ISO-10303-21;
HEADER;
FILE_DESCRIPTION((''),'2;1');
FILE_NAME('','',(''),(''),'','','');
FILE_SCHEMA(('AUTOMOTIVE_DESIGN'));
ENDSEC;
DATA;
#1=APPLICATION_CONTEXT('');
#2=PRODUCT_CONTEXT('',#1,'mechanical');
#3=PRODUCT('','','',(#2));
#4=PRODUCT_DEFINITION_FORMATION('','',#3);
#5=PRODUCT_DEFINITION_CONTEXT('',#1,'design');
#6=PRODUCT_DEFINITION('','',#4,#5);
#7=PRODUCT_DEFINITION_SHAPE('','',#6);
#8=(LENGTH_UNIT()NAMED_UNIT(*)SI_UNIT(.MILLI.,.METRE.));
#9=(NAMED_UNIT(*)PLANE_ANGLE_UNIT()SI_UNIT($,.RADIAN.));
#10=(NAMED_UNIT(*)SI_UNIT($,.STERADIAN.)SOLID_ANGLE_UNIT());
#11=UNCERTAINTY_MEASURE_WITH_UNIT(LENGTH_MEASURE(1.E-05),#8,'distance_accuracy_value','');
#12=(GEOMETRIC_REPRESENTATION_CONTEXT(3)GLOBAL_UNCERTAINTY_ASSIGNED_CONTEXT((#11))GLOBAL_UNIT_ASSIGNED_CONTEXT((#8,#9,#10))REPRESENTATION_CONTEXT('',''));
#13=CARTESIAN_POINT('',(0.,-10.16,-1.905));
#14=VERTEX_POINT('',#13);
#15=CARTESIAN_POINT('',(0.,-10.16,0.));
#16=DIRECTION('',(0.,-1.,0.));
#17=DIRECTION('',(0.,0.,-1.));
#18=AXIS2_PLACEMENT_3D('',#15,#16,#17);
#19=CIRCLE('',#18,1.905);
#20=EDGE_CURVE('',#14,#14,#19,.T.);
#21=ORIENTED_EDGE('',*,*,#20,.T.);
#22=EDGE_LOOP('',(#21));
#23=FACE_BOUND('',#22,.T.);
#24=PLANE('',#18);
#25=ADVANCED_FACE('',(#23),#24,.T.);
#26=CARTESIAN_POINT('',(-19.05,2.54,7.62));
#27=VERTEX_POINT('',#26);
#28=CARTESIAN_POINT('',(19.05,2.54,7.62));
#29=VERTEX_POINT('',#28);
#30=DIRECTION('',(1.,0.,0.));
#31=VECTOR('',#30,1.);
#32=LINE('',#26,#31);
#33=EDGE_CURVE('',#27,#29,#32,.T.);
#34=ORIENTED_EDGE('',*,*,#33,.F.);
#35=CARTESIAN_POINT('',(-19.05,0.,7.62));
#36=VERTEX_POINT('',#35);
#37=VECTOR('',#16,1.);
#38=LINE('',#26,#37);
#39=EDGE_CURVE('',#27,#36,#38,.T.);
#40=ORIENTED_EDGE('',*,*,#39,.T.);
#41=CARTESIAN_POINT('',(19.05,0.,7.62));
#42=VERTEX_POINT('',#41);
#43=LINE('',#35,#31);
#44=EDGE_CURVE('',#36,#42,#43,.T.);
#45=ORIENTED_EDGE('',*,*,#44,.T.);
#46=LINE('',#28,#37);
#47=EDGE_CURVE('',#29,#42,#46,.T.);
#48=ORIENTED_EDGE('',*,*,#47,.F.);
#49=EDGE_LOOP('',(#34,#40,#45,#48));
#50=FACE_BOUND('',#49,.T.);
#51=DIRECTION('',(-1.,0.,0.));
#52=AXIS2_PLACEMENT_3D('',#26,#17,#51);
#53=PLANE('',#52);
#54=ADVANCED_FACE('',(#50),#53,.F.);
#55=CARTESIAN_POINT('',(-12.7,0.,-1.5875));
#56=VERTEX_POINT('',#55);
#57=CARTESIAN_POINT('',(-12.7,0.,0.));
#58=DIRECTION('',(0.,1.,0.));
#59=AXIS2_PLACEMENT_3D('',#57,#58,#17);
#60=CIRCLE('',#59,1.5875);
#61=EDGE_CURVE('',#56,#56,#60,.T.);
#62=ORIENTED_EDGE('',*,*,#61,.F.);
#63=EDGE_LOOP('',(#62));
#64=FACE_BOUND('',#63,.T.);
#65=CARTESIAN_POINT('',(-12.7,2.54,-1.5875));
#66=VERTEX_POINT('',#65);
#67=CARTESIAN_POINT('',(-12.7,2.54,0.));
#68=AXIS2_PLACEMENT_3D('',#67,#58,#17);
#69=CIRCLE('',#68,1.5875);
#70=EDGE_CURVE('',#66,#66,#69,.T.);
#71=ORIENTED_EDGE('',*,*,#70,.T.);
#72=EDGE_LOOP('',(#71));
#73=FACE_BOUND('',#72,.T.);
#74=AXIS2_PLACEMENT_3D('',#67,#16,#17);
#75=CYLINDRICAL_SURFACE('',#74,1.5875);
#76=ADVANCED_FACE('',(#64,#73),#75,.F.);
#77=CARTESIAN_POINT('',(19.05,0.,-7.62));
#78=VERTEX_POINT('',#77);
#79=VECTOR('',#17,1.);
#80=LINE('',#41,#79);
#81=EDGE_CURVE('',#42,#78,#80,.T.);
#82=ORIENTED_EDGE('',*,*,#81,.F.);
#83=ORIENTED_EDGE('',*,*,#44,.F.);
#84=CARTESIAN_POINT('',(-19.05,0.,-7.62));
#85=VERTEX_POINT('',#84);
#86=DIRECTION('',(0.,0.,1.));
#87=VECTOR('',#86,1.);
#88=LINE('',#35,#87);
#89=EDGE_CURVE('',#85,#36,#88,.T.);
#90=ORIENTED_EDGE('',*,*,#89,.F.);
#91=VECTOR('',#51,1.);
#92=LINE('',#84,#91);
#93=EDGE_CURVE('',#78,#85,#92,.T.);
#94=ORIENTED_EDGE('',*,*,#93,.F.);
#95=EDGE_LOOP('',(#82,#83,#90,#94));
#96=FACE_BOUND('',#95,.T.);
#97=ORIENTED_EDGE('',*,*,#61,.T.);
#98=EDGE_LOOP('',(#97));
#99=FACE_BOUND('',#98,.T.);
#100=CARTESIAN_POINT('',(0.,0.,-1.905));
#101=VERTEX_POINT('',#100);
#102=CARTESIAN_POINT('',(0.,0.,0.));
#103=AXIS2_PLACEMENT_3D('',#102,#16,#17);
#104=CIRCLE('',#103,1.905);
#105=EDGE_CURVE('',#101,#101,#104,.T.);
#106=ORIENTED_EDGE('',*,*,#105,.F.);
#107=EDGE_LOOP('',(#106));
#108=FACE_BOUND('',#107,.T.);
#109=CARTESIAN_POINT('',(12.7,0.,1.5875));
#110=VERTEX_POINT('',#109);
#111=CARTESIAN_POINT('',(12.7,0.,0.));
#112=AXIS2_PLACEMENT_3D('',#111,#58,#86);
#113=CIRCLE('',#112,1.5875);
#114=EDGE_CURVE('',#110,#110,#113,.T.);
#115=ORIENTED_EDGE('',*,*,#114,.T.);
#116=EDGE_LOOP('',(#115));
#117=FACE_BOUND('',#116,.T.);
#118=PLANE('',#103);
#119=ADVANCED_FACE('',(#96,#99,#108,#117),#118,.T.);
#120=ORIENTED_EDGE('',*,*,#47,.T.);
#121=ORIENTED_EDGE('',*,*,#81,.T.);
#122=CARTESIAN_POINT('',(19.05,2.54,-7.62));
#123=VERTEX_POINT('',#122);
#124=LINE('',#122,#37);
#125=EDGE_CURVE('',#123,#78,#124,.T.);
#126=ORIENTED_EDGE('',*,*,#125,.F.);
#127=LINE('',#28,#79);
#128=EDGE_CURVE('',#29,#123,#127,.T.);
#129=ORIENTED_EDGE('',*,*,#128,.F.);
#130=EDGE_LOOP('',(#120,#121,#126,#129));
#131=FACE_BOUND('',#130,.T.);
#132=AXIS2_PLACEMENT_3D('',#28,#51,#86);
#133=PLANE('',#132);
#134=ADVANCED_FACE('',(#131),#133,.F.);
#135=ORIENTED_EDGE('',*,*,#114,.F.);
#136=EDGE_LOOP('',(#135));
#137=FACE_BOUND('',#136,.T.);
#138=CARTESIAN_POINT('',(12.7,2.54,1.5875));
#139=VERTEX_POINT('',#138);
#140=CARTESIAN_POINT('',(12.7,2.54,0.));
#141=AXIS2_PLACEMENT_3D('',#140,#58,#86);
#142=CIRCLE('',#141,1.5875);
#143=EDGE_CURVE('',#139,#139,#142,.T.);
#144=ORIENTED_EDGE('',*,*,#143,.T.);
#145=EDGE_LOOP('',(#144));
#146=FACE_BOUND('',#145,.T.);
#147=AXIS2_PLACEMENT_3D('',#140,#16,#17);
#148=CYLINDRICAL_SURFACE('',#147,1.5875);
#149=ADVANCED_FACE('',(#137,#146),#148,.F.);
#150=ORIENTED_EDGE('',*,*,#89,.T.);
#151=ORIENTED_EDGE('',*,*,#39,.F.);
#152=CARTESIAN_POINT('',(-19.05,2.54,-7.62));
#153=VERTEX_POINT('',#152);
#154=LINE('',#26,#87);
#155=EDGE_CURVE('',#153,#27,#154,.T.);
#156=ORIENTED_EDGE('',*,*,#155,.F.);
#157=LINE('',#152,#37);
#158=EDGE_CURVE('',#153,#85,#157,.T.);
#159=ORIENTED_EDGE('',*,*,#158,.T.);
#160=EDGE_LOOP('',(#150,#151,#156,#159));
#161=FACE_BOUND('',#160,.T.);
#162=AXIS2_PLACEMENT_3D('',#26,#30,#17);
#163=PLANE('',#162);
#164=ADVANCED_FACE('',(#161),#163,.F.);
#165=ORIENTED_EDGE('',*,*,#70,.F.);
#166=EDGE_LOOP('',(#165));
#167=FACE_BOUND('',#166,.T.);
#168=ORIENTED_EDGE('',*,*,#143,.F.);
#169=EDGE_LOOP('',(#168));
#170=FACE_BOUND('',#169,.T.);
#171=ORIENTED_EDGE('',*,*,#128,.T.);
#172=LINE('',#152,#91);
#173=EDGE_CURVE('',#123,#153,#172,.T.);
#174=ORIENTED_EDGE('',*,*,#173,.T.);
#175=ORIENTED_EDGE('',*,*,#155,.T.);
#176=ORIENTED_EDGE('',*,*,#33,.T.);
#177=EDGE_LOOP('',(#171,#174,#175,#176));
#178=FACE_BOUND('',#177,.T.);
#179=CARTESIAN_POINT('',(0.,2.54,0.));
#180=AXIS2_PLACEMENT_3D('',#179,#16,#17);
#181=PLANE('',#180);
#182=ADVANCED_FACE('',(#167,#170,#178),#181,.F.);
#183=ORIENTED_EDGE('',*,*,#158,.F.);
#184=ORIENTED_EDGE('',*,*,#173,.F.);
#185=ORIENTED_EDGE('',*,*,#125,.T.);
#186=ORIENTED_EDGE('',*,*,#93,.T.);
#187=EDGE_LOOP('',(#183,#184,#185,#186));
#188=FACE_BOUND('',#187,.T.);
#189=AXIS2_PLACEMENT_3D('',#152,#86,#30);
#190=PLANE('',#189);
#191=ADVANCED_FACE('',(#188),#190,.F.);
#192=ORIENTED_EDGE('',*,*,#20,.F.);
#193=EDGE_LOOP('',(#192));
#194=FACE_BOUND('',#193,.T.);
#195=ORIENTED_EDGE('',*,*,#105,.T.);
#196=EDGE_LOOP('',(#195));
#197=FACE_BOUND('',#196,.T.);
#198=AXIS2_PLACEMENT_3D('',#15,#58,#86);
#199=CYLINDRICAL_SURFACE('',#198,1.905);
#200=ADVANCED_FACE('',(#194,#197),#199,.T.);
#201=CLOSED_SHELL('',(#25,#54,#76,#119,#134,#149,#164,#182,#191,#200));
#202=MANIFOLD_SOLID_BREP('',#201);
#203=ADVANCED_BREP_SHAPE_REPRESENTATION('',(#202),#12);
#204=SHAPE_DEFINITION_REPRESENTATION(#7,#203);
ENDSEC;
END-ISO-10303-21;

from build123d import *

# Parameters (mm, degrees)
SKETCH2_W           = 38.1
SKETCH2_H           = 15.24
SKETCH2_R           = 1.5875
BOSS_EXTRUDE1_DEPTH = 2.54
SKETCH3_R           = 1.905
BOSS_EXTRUDE2_DEPTH = 10.16


with BuildPart() as part:
    # Sketch2 → Boss-Extrude1 (new body)
    with BuildSketch(Plane(origin=(0, 0, 0), x_dir=(1, 0, 0), z_dir=(0, 1, 0))):
        Rectangle(SKETCH2_W, SKETCH2_H)
        with Locations(Location((12.7, 0, 0), (0, 0, 270))):
            Circle(SKETCH2_R, mode=Mode.SUBTRACT)
        with Locations(Location((-12.7, 0, 0), (0, 0, 90))):
            Circle(SKETCH2_R, mode=Mode.SUBTRACT)
    extrude(amount=BOSS_EXTRUDE1_DEPTH)

    # Sketch3 → Boss-Extrude2 (add)
    with BuildSketch(Plane.XZ):
        with Locations(Location((0, 0, 0), (0, 0, 270))):
            Circle(SKETCH3_R)
    extrude(amount=BOSS_EXTRUDE2_DEPTH)


solid = part.part
